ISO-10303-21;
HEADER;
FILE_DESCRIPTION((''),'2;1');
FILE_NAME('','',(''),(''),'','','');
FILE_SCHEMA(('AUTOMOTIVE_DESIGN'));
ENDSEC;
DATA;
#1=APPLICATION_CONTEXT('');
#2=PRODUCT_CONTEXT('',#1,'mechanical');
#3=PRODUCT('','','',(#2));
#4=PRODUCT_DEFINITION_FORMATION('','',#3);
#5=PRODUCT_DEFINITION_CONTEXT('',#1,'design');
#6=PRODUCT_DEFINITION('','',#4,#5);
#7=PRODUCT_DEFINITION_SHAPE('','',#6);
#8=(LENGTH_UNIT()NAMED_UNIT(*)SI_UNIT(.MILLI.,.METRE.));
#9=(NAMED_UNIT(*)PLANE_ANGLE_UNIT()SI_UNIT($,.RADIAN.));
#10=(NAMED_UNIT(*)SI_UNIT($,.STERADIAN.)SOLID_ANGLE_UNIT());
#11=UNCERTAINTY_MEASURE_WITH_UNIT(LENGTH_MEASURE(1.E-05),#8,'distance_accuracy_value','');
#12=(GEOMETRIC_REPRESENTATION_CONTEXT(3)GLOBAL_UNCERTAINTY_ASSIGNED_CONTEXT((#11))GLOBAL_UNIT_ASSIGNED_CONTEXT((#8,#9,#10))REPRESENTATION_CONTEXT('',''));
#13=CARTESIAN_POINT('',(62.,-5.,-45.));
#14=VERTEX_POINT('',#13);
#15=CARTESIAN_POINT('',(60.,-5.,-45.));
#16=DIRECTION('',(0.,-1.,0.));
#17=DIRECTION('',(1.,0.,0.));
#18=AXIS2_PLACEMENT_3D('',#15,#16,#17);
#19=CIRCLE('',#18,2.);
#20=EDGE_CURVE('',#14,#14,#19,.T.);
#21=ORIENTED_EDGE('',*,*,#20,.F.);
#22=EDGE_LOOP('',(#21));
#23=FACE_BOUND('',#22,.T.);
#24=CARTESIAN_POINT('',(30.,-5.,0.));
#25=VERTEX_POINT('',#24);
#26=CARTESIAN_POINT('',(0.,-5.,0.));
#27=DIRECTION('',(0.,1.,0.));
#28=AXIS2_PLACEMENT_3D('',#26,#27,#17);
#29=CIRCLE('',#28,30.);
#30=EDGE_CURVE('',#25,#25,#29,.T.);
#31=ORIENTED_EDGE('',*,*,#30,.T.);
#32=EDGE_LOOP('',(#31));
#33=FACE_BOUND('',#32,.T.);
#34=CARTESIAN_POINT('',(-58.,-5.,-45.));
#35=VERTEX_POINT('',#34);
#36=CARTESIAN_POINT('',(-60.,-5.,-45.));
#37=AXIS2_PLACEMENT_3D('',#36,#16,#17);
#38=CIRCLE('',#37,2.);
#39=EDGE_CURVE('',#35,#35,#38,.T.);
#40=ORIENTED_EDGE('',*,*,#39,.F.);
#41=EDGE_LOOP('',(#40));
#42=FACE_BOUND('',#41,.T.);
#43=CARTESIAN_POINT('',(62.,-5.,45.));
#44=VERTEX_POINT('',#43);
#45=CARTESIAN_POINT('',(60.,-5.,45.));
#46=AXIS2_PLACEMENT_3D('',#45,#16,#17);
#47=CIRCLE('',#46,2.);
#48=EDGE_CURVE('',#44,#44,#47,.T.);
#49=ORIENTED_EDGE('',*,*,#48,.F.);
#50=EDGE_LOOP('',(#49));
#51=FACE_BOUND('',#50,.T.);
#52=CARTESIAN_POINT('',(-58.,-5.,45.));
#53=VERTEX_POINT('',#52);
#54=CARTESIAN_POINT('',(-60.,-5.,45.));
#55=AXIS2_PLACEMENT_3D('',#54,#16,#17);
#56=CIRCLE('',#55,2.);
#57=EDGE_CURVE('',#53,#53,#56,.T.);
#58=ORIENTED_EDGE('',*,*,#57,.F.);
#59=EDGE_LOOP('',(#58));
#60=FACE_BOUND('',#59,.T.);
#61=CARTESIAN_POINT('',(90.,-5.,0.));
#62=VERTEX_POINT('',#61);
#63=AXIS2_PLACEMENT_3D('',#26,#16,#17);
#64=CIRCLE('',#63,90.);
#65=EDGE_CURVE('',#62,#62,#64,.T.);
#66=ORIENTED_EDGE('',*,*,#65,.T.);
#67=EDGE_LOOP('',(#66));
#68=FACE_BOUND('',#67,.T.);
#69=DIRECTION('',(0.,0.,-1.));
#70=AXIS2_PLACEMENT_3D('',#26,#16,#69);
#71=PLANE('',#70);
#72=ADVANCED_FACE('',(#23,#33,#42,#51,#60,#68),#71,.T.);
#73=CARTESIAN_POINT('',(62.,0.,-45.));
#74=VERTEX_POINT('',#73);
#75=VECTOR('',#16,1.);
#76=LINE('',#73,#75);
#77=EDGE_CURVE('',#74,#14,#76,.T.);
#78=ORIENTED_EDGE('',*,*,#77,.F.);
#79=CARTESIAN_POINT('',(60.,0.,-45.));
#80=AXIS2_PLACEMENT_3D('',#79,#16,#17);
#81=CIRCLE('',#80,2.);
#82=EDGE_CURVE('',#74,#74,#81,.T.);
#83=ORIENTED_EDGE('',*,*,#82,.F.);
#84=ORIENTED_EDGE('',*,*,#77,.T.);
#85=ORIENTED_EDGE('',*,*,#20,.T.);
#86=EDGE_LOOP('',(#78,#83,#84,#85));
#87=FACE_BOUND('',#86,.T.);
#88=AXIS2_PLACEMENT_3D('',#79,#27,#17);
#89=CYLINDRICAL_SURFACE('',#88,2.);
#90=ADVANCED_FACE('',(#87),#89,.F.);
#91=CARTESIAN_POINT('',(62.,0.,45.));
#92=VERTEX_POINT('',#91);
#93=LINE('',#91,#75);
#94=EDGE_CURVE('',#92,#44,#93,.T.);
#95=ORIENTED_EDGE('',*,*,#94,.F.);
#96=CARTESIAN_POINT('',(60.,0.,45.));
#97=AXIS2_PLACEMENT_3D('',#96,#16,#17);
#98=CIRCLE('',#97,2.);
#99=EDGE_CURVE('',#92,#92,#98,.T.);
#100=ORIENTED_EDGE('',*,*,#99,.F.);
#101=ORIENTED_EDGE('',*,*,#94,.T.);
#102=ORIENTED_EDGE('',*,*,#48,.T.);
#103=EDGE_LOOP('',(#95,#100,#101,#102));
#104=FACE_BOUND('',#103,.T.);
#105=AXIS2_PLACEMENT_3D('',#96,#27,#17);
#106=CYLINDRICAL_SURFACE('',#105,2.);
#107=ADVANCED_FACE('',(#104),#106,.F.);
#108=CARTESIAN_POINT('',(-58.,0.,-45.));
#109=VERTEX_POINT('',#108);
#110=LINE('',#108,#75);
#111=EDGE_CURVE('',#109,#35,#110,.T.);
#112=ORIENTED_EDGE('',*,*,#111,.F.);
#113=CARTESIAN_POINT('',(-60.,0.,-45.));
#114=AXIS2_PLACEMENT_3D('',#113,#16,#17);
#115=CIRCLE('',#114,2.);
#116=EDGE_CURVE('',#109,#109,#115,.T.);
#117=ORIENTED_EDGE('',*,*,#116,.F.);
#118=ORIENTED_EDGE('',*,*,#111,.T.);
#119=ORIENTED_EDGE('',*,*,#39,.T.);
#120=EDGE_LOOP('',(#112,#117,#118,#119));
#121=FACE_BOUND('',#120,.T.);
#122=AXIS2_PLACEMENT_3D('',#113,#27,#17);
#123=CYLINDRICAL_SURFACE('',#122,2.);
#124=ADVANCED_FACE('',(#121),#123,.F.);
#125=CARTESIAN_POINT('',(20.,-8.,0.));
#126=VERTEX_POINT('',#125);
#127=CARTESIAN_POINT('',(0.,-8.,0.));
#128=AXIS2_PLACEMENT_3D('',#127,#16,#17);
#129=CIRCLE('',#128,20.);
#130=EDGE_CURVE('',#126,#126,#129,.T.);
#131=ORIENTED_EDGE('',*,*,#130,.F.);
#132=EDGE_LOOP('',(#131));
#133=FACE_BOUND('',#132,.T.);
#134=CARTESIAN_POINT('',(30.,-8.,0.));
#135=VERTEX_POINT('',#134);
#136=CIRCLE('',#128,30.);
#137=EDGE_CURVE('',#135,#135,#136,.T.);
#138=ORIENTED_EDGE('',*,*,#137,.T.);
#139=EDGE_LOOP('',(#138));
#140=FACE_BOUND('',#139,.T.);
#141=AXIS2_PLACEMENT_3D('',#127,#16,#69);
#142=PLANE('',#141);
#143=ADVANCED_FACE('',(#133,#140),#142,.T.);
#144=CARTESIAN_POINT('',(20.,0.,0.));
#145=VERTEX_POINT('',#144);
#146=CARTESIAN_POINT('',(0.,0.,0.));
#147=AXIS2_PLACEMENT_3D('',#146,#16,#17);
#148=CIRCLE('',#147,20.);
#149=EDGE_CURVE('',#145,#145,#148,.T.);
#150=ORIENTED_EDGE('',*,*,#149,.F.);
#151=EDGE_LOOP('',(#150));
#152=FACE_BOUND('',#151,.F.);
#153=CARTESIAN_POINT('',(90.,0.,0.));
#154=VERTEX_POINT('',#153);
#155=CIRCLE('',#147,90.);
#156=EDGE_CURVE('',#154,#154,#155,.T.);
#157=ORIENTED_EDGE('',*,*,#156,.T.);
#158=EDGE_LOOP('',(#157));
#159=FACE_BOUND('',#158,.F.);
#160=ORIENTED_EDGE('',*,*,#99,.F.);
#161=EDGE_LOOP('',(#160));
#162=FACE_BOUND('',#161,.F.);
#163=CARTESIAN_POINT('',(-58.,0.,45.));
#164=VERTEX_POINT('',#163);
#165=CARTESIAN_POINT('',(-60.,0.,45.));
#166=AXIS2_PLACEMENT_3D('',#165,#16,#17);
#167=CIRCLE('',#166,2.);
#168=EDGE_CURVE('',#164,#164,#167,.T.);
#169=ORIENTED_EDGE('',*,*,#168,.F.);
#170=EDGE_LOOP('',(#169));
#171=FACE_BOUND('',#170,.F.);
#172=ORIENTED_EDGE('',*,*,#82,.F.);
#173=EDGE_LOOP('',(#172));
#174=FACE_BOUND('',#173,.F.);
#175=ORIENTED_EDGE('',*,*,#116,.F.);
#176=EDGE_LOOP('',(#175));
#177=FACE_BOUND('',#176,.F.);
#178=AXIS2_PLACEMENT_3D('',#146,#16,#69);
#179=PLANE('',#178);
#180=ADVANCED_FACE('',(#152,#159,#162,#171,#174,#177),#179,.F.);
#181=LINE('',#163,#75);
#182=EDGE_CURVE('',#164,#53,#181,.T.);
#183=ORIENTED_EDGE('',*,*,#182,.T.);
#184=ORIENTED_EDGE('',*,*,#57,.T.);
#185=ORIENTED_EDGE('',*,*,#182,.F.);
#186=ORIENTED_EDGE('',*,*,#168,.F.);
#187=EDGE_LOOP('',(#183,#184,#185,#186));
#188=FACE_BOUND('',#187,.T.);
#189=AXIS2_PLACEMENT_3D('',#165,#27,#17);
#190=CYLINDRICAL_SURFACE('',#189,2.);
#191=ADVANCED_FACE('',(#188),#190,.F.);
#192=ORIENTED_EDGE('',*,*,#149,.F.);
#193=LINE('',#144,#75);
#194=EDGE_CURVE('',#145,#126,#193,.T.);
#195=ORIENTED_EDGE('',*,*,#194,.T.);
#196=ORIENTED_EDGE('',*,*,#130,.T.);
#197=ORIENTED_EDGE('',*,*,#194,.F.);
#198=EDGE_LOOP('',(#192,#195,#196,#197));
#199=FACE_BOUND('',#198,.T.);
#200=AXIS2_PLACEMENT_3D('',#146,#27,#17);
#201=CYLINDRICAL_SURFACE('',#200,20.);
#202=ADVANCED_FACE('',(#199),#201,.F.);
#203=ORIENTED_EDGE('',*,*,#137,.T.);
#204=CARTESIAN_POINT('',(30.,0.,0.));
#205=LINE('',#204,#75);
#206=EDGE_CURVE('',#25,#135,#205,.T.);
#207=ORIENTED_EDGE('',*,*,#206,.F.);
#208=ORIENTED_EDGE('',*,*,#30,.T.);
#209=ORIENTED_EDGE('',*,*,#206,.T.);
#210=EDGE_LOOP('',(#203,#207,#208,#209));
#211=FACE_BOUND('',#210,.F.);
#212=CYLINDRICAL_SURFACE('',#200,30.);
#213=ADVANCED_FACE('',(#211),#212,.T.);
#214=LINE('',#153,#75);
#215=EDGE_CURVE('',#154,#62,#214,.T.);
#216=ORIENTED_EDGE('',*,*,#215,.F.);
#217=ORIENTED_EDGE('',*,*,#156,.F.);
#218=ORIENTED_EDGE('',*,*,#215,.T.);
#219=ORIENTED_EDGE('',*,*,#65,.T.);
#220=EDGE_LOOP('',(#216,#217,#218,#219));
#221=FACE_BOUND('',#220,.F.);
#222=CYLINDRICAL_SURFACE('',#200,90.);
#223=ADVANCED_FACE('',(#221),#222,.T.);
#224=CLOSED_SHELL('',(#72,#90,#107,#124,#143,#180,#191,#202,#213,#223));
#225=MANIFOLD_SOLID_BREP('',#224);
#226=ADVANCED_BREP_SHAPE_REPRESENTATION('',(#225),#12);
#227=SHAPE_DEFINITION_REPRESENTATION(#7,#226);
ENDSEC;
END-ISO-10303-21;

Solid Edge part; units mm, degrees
sketch "Sketch1" plane through (0, 0, 0) normal (0, -1, 0) x (1, 0, 0)
  circle A0 centre (60, 45) radius 2
  circle A1 centre (0, 0) radius 20
  circle A2 centre (0, 0) radius 90
  circle A3 centre (60, -45) radius 2
  circle A4 centre (-60, 45) radius 2
  circle A5 centre (-60, -45) radius 2
extrude "Protrusion1" add sketch "Sketch1" along normal blind 5
sketch "Sketch2" plane through (0, 0, 0) normal (0, -1, 0) x (1, 0, 0)
  circle A0 centre (0, 0) radius 30
  circle A1 centre (0, 0) radius 20
extrude "ExtrudedProtrusion_2" add sketch "Sketch2" along normal blind 8
